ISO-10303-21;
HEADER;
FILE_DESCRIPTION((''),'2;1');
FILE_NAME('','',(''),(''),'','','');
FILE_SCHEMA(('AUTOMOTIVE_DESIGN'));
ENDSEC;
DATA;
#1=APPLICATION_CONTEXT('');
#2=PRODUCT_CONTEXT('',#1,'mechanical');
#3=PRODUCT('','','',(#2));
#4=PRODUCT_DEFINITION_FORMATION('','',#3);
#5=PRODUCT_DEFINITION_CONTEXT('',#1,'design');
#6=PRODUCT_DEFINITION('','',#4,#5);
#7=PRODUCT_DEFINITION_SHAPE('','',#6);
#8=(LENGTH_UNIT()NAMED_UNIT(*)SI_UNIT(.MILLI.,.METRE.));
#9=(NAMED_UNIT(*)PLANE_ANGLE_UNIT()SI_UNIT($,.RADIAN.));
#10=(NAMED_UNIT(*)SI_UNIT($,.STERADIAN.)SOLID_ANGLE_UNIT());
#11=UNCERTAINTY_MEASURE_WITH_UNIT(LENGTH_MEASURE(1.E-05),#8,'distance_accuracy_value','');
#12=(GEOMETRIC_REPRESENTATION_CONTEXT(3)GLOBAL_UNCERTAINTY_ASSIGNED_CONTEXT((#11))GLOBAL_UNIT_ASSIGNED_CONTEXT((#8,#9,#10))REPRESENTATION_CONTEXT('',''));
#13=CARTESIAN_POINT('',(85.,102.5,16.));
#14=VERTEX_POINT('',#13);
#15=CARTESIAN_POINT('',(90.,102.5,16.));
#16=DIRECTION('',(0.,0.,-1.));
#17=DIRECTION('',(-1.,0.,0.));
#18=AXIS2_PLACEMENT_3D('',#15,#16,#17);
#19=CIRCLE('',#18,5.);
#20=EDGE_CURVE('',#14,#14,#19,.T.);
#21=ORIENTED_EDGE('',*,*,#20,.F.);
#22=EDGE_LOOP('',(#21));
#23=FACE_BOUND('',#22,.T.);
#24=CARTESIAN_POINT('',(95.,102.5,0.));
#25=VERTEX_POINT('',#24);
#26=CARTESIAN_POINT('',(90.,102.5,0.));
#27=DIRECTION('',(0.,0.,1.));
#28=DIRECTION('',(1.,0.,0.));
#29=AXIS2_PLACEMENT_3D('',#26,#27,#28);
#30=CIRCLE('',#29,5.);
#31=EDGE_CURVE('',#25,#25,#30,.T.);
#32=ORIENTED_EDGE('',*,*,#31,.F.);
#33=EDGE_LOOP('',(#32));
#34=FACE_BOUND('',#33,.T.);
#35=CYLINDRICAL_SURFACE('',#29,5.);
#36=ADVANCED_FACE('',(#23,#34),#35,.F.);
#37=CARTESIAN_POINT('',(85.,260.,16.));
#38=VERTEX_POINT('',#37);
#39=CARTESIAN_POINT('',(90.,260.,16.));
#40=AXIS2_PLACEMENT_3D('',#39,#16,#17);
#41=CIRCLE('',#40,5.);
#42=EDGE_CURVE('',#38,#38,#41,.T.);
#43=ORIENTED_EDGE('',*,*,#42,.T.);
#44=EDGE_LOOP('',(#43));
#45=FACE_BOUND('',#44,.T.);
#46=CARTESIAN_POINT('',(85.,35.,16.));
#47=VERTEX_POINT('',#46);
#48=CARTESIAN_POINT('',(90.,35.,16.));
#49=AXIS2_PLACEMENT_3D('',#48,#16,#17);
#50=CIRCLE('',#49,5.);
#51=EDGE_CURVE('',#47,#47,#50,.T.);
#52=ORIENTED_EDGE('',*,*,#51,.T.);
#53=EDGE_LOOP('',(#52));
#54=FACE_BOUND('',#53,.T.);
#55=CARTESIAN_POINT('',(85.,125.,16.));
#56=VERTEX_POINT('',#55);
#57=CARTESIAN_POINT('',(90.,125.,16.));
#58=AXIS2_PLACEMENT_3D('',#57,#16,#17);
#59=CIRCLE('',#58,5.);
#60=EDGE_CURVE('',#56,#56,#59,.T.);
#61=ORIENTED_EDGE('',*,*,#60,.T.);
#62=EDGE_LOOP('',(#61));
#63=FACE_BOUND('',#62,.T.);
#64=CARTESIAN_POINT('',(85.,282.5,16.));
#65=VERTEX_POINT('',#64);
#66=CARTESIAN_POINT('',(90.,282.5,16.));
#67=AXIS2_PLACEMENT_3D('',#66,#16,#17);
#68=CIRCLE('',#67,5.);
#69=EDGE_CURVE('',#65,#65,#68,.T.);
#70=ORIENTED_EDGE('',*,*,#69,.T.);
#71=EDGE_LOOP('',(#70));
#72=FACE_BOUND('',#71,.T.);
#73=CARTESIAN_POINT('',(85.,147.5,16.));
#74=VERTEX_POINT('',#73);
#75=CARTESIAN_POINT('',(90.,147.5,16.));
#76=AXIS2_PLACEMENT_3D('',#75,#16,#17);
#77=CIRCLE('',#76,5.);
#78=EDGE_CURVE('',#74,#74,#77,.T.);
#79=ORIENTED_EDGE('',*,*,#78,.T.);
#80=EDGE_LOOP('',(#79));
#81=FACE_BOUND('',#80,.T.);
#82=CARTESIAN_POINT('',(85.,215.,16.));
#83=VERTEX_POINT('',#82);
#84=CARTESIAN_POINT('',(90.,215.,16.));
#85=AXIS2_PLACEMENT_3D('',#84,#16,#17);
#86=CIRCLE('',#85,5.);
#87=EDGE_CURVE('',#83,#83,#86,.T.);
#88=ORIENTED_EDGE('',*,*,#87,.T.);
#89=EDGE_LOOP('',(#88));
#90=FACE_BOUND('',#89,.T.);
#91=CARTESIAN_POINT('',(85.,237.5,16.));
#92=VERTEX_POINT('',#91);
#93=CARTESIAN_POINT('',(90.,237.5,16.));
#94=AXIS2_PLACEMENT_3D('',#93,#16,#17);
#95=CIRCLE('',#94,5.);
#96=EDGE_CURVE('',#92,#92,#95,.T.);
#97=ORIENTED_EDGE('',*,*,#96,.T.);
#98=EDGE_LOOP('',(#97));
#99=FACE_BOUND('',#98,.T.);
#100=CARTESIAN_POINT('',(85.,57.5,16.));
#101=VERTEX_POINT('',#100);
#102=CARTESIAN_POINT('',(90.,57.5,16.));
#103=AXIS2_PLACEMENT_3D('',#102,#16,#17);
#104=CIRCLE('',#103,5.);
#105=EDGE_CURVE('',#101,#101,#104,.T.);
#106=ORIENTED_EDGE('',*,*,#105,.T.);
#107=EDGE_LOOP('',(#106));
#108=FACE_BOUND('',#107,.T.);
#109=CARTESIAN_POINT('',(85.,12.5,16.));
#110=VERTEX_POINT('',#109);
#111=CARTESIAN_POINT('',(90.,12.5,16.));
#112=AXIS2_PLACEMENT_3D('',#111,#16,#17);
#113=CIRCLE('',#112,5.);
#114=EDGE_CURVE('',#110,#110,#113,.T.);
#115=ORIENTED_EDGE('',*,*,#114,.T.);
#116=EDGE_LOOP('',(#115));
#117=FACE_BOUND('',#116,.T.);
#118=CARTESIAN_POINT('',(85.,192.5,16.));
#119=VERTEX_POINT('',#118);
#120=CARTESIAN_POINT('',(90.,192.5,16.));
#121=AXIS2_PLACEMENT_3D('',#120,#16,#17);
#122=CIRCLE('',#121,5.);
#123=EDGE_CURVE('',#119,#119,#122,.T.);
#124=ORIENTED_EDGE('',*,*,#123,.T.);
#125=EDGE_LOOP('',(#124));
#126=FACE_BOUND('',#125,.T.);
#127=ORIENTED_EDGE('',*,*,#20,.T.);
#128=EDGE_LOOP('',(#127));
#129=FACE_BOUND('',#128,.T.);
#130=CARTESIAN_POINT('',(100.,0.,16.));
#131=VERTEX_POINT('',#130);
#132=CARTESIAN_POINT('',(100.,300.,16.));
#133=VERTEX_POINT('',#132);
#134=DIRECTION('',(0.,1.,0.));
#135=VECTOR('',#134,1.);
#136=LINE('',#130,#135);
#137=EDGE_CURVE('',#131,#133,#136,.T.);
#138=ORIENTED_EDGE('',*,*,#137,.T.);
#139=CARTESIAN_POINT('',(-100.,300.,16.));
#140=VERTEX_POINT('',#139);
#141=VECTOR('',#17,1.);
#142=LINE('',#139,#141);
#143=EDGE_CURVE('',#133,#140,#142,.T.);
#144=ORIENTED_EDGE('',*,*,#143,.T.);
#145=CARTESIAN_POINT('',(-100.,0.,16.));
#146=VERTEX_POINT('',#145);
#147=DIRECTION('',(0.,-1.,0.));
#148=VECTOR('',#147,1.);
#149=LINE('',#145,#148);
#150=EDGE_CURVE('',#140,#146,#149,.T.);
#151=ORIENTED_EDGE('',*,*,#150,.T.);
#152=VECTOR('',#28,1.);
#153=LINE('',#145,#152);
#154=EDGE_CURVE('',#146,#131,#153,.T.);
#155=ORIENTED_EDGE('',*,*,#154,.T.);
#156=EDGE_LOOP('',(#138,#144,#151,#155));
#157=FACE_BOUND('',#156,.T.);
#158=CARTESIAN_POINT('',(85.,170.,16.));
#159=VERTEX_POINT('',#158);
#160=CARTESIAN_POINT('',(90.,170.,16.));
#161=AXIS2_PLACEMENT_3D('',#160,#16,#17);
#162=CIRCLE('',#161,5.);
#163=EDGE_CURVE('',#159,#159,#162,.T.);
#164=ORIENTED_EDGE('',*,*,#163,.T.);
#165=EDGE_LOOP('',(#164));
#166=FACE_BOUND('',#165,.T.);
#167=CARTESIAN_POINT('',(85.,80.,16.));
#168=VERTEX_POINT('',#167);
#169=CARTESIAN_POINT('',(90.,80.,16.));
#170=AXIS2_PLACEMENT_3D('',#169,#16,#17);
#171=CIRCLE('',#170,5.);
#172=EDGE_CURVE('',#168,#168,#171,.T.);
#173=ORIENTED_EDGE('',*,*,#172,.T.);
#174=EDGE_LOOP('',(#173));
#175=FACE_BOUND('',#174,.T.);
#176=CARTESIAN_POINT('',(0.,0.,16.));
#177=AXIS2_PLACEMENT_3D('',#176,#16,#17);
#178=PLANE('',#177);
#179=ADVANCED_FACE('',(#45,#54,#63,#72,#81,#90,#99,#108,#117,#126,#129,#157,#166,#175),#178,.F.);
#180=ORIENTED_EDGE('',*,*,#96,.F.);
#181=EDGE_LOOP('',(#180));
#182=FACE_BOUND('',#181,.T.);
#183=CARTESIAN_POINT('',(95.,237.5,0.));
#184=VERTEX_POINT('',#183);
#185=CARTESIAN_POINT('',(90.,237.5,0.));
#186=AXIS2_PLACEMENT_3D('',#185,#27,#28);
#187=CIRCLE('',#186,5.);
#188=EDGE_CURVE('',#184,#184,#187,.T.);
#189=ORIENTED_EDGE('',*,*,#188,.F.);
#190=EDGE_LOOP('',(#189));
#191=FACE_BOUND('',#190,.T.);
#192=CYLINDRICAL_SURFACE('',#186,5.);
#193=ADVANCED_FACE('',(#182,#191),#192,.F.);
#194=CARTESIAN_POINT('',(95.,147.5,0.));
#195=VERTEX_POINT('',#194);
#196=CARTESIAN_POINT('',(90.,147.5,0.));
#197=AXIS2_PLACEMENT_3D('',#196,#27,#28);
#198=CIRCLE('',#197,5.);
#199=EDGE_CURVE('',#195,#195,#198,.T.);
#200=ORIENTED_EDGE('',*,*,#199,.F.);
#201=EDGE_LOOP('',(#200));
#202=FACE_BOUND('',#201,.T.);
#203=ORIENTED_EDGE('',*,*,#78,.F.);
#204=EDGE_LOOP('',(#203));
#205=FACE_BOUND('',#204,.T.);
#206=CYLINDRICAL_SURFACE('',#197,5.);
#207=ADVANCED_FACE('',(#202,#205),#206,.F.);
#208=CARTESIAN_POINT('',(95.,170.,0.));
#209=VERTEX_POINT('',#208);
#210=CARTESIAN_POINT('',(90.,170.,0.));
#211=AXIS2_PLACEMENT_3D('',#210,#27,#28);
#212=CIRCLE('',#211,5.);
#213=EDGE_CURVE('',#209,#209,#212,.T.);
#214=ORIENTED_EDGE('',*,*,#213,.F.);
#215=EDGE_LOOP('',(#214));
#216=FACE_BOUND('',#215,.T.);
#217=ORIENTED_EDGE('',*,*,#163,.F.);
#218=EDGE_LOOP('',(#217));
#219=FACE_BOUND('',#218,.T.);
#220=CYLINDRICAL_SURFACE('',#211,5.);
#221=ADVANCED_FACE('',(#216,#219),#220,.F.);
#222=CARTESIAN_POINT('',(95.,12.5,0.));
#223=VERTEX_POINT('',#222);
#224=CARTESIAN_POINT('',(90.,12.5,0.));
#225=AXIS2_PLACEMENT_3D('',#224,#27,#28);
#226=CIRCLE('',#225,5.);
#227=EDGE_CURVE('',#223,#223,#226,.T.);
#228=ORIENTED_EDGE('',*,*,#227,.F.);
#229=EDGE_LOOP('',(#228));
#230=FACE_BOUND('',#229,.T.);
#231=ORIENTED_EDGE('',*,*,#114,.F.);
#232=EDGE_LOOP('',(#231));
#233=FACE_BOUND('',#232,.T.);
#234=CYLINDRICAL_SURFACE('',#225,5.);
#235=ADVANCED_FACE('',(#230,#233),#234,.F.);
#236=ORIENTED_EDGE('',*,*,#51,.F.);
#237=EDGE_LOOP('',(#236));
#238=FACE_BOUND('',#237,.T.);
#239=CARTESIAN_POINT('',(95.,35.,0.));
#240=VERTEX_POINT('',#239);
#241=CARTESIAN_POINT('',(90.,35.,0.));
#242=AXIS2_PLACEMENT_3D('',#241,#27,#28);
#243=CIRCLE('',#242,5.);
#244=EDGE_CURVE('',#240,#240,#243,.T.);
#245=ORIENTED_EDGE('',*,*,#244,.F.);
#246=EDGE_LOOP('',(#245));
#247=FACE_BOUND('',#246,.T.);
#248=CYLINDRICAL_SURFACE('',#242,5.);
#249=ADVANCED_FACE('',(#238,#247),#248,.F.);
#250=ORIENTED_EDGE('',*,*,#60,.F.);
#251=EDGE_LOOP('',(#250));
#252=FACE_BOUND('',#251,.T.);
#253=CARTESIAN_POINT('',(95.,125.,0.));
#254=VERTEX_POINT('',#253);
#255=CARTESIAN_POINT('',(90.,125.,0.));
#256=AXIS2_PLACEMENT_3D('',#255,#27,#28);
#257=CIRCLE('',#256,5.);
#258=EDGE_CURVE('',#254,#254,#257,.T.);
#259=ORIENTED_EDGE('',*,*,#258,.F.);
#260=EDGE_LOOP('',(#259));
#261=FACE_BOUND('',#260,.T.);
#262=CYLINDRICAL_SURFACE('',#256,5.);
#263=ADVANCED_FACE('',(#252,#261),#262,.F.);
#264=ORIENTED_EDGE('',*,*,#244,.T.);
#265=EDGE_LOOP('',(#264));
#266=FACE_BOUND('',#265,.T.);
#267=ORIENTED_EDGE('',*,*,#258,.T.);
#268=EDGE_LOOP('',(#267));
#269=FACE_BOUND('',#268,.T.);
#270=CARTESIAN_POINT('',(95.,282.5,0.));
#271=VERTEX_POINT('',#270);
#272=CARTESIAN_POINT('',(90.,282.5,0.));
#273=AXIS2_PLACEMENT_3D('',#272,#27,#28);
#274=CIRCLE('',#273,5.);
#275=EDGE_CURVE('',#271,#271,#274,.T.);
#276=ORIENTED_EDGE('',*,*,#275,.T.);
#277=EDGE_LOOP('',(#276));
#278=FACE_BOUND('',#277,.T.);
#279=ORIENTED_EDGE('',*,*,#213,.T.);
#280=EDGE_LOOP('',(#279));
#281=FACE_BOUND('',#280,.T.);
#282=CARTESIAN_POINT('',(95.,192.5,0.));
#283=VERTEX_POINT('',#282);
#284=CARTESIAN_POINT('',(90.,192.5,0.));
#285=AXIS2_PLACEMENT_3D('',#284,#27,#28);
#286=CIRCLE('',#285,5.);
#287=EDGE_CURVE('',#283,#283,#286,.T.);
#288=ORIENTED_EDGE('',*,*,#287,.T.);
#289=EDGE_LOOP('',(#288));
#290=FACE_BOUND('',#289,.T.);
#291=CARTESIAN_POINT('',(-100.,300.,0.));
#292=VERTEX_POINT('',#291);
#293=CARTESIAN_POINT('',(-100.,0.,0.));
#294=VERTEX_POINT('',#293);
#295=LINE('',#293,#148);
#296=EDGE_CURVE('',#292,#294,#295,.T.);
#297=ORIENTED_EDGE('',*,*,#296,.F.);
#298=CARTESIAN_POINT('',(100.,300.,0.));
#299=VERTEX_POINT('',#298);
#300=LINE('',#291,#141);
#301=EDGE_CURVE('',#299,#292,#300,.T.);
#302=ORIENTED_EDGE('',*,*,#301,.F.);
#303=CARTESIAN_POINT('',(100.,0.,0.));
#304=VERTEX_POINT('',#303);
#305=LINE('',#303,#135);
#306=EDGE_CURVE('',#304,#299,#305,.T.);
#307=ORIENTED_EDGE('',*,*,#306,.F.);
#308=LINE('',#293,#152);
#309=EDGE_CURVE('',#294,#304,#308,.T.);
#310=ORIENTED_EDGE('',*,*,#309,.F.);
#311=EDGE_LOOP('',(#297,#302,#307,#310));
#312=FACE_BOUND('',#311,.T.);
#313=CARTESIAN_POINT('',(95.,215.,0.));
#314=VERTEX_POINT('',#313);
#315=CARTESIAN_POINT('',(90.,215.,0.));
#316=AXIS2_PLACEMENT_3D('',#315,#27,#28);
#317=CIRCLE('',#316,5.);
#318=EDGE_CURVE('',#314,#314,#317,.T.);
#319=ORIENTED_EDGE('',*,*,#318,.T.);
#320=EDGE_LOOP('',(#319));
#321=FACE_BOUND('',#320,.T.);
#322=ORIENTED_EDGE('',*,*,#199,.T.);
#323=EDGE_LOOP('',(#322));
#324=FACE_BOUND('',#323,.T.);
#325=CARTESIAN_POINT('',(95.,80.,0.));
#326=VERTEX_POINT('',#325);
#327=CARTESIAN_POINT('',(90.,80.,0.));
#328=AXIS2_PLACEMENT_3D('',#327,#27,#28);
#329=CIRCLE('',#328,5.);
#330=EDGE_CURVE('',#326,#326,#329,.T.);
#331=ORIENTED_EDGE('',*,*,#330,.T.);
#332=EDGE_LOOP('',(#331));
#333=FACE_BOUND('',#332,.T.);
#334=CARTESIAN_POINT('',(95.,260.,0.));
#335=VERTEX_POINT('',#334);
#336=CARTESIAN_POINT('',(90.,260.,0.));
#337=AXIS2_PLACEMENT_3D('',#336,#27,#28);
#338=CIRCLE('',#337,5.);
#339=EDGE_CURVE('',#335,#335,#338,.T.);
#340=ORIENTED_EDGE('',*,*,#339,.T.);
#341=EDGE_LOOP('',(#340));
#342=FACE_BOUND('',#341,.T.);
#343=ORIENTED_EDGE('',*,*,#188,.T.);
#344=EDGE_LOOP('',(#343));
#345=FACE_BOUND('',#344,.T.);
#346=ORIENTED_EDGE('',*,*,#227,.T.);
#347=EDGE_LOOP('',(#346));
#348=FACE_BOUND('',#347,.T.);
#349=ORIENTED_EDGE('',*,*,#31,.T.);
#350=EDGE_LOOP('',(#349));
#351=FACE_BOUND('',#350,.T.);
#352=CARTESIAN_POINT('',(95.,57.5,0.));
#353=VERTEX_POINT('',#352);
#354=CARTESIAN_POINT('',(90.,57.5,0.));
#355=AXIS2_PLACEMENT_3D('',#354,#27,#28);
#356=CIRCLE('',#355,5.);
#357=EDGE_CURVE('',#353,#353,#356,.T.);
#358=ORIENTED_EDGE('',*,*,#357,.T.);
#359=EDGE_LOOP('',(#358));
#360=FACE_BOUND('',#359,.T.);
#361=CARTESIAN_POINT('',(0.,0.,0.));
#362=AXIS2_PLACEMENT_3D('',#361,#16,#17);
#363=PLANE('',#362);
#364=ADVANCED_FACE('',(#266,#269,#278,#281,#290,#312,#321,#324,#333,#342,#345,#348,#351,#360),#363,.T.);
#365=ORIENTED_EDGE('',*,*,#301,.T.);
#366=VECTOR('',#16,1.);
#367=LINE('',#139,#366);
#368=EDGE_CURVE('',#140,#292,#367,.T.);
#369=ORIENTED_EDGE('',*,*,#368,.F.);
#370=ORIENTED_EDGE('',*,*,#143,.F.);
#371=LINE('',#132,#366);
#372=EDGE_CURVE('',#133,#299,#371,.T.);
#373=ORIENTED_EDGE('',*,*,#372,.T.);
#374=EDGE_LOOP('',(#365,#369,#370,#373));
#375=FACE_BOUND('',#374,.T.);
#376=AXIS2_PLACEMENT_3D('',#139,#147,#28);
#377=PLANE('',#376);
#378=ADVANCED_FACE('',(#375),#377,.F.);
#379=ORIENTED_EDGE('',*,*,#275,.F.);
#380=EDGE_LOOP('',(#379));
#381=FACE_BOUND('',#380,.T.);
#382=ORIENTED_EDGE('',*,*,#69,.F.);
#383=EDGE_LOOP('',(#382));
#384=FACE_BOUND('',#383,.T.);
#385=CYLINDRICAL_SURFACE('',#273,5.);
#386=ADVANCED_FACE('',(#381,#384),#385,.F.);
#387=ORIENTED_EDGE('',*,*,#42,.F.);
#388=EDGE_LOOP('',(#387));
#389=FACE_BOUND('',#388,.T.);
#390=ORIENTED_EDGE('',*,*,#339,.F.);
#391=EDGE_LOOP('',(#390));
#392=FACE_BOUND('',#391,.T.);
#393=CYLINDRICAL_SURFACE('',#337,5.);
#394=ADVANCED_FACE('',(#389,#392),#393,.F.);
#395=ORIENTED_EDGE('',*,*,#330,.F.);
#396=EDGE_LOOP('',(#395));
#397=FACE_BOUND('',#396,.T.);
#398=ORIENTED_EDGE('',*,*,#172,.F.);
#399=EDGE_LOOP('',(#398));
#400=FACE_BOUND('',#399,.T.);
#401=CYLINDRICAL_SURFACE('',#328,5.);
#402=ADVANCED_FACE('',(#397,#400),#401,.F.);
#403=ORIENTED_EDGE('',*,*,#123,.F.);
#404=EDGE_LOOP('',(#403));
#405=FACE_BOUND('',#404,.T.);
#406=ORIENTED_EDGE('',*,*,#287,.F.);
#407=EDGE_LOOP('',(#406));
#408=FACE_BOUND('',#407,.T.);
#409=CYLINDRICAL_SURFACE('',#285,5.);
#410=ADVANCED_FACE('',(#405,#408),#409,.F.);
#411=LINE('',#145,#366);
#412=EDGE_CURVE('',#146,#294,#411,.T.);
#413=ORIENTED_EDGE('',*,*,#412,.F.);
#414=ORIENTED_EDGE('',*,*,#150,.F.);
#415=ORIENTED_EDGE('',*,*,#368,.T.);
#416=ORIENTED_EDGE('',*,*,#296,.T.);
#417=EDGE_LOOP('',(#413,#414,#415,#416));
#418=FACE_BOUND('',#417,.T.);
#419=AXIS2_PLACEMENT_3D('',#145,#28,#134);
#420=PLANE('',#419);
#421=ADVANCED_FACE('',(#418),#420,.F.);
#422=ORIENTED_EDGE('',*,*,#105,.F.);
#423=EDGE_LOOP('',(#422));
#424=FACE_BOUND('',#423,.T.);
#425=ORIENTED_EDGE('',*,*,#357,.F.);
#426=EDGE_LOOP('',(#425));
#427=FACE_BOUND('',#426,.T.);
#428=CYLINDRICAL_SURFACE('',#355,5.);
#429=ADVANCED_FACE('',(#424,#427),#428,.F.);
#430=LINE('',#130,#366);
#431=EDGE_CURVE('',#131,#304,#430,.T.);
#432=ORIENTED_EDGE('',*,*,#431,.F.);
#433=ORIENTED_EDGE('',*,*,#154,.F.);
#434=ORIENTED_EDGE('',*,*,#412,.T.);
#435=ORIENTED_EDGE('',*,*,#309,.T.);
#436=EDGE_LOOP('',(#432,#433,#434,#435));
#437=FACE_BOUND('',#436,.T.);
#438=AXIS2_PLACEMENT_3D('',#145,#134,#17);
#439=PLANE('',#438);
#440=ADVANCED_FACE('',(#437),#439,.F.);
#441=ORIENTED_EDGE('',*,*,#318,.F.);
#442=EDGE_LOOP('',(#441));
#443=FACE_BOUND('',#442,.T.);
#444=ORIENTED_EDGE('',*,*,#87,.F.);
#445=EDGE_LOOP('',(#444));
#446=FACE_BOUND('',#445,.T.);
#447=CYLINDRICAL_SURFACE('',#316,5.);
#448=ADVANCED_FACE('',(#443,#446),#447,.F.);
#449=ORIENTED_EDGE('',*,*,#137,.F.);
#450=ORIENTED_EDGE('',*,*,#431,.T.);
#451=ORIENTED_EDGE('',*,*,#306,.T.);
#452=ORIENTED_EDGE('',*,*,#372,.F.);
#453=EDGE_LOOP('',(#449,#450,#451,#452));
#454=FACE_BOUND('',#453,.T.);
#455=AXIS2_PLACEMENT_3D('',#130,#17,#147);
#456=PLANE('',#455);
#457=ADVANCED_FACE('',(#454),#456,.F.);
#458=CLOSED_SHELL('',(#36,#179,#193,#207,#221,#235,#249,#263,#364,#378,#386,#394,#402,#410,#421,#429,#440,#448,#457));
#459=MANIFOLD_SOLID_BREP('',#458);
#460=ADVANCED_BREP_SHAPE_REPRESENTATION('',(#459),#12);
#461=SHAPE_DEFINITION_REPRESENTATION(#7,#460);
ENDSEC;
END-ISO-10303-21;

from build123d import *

# Parameters (mm, degrees)
SKETCH1_W           = 200
SKETCH1_H           = 300
BOSS_EXTRUDE1_DEPTH = 16
SKETCH2_R           = 5
CUT_EXTRUDE3_DEPTH  = 317.632278835
LPATTERN1_COUNT     = 13
LPATTERN1_PITCH     = 22.5


with BuildPart() as part:
    # Sketch1 → Boss-Extrude1 (new body)
    with BuildSketch(Plane.XY):
        with Locations((0, 150)):
            Rectangle(SKETCH1_W, SKETCH1_H)
    extrude(amount=BOSS_EXTRUDE1_DEPTH)

    # Sketch2 → Cut-Extrude3 (cut, symmetric)
    with BuildSketch(Plane.XY.offset(16)):
        with Locations((90, 12.5)):
            Circle(SKETCH2_R)
    cut_extrude3 = extrude(amount=CUT_EXTRUDE3_DEPTH, both=True, mode=Mode.SUBTRACT)

    # LPattern1: Cut-Extrude3 ×13
    with Locations(*[(0, i * LPATTERN1_PITCH, 0) for i in range(1, LPATTERN1_COUNT)]):
        add(cut_extrude3, mode=Mode.SUBTRACT)


solid = part.part
